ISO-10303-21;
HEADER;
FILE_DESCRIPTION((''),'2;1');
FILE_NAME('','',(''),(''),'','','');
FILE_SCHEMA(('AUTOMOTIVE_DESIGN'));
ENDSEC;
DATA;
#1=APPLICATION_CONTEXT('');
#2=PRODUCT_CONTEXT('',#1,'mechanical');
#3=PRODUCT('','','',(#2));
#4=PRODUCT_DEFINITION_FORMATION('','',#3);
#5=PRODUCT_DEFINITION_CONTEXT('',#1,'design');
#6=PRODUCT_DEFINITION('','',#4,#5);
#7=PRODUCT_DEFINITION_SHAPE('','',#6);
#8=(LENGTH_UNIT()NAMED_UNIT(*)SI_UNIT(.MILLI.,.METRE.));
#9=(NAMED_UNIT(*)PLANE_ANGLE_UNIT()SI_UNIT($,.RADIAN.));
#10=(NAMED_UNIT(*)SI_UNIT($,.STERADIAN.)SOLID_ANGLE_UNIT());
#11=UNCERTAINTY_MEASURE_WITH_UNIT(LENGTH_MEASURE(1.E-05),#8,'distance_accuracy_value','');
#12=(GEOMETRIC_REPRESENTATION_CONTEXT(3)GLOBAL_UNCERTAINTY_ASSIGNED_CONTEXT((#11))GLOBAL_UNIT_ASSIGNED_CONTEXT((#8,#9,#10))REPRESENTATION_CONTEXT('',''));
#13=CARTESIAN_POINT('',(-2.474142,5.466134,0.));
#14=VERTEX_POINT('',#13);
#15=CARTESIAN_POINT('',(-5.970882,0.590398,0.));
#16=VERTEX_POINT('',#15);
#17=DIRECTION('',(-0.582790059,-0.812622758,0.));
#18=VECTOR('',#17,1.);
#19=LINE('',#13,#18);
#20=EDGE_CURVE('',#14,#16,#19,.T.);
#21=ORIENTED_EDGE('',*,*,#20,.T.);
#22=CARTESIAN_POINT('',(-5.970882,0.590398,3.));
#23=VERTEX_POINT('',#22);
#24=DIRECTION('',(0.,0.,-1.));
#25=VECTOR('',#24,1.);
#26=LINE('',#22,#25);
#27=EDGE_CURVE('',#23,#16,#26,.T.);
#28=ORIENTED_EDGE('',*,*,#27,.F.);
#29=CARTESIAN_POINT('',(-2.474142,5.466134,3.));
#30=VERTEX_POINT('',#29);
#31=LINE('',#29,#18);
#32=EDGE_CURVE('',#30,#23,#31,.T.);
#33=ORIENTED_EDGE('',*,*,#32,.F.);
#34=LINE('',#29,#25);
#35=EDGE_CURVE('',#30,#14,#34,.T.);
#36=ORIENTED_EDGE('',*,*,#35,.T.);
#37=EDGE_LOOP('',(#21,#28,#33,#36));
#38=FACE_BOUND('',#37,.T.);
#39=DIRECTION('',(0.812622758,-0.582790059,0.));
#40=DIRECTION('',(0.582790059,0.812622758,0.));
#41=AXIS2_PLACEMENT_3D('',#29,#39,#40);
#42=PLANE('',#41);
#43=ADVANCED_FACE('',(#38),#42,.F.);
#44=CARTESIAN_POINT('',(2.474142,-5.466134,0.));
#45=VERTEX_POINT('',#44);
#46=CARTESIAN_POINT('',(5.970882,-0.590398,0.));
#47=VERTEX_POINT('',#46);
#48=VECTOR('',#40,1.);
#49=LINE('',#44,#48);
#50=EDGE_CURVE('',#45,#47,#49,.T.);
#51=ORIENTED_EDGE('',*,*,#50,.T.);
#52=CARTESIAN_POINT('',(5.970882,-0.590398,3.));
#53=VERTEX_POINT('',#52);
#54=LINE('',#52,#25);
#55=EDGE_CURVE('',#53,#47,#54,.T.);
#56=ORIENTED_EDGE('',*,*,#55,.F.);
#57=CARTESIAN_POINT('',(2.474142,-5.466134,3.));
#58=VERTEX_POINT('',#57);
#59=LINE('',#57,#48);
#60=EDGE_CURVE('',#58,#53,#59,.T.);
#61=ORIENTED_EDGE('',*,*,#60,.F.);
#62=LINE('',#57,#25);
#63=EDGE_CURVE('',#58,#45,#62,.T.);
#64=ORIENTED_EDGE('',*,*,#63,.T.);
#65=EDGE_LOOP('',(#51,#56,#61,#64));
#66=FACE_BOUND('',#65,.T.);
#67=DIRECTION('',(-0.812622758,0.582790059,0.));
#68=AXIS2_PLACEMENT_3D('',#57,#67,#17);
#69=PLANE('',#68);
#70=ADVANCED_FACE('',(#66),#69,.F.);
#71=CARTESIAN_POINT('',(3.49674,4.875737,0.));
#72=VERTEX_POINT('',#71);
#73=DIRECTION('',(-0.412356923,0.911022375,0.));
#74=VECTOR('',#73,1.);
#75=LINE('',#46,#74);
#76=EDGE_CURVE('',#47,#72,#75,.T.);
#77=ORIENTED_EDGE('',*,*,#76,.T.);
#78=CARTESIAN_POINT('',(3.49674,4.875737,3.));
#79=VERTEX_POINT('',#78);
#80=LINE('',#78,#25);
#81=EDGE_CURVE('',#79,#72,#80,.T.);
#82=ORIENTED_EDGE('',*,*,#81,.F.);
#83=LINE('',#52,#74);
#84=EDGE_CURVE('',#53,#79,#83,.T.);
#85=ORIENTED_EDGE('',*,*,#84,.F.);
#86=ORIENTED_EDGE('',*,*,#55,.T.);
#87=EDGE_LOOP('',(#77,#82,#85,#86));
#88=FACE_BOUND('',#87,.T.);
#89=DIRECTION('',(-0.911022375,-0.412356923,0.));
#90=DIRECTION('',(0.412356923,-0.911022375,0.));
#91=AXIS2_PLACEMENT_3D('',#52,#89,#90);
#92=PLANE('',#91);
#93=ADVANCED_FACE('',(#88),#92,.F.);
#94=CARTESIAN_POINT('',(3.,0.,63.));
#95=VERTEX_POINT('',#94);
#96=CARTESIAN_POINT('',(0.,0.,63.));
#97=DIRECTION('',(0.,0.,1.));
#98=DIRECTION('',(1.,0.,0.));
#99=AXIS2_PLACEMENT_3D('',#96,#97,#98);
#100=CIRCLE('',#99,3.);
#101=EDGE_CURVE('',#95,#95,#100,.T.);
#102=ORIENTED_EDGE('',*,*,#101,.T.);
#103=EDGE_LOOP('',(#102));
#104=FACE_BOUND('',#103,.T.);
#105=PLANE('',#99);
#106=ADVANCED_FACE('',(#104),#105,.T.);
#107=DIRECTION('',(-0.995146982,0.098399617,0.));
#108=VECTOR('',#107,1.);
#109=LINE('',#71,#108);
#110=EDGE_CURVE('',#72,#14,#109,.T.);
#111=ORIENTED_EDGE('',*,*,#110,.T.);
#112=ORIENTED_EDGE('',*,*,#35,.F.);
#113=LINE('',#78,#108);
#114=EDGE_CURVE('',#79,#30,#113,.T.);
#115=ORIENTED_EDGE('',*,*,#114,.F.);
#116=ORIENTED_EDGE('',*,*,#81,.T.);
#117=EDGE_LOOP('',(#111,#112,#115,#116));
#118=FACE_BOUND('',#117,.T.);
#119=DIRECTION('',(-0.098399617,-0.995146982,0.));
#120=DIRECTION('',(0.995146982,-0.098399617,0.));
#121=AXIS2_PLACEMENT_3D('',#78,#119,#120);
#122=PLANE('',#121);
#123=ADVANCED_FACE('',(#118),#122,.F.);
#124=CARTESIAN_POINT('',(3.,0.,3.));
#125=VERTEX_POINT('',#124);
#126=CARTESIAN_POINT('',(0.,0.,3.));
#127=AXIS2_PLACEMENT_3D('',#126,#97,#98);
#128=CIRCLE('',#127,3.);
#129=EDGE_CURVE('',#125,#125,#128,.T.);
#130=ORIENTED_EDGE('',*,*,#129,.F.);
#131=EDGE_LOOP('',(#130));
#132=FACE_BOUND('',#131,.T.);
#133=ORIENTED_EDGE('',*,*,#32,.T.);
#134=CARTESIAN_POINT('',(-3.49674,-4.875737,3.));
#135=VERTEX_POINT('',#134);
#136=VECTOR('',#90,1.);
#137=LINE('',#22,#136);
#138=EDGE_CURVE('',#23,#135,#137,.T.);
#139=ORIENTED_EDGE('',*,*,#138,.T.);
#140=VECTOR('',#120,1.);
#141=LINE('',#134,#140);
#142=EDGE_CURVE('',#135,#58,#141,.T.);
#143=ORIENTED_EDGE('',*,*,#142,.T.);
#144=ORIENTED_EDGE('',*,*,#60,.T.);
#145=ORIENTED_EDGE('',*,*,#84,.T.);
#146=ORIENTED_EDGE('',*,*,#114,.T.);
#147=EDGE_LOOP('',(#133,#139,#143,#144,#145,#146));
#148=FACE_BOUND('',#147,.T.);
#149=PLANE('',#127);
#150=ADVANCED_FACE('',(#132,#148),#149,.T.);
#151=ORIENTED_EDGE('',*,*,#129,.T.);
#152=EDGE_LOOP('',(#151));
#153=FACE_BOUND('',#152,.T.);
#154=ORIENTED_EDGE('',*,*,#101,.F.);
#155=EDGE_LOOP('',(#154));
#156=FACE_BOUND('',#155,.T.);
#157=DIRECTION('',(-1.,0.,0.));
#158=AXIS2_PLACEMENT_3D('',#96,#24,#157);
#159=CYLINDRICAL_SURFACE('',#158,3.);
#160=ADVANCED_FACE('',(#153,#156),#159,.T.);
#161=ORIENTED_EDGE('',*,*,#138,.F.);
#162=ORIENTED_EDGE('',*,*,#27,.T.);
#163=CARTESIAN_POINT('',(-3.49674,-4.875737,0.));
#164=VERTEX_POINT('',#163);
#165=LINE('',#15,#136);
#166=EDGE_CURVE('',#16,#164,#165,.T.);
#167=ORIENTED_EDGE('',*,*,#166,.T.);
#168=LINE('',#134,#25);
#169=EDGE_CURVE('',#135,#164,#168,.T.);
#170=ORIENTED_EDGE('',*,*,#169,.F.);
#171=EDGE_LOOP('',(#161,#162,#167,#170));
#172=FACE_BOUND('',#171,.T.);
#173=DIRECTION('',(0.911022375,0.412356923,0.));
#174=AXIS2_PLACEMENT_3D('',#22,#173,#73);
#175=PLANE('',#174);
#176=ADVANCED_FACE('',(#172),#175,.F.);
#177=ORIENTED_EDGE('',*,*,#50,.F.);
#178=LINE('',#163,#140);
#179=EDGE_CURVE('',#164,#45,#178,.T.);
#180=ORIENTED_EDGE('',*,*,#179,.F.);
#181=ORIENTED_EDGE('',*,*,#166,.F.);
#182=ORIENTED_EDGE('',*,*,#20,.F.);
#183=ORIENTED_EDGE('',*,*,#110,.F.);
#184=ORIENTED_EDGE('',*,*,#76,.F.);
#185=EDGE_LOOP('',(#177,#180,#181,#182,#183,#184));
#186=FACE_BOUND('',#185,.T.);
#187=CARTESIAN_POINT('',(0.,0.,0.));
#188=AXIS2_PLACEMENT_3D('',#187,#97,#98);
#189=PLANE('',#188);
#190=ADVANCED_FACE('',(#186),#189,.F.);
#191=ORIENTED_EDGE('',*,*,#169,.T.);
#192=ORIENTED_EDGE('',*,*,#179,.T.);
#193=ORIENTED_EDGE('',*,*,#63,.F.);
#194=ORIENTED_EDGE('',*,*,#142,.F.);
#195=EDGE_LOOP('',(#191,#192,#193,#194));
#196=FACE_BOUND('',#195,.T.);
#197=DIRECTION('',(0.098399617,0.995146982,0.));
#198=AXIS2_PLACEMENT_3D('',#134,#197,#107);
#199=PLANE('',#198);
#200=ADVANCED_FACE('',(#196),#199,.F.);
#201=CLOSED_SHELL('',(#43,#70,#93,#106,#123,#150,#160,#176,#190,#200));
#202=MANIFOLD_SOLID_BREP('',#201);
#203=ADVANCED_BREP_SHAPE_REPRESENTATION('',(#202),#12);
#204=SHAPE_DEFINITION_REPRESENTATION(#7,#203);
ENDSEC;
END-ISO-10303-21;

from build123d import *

# Parameters (mm, degrees)
BOSS_EXTRUDE1_DEPTH = 3
SKETCH2_R           = 3
BOSS_EXTRUDE2_DEPTH = 60


with BuildPart() as part:
    # Sketch1 → Boss-Extrude1 (new body)
    with BuildSketch(Plane.XY):
        Polygon((3.496740354, 4.875736549), (-2.474141537, 5.466134251), (-5.970881891, 0.590397702), (-3.496740354, -4.875736549), (2.474141537, -5.466134251), (5.970881891, -0.590397702), align=None)
    extrude(amount=BOSS_EXTRUDE1_DEPTH)

    # Sketch2 → Boss-Extrude2 (add)
    with BuildSketch(Plane.XY.offset(3)):
        Circle(SKETCH2_R)
    extrude(amount=BOSS_EXTRUDE2_DEPTH)


solid = part.part
